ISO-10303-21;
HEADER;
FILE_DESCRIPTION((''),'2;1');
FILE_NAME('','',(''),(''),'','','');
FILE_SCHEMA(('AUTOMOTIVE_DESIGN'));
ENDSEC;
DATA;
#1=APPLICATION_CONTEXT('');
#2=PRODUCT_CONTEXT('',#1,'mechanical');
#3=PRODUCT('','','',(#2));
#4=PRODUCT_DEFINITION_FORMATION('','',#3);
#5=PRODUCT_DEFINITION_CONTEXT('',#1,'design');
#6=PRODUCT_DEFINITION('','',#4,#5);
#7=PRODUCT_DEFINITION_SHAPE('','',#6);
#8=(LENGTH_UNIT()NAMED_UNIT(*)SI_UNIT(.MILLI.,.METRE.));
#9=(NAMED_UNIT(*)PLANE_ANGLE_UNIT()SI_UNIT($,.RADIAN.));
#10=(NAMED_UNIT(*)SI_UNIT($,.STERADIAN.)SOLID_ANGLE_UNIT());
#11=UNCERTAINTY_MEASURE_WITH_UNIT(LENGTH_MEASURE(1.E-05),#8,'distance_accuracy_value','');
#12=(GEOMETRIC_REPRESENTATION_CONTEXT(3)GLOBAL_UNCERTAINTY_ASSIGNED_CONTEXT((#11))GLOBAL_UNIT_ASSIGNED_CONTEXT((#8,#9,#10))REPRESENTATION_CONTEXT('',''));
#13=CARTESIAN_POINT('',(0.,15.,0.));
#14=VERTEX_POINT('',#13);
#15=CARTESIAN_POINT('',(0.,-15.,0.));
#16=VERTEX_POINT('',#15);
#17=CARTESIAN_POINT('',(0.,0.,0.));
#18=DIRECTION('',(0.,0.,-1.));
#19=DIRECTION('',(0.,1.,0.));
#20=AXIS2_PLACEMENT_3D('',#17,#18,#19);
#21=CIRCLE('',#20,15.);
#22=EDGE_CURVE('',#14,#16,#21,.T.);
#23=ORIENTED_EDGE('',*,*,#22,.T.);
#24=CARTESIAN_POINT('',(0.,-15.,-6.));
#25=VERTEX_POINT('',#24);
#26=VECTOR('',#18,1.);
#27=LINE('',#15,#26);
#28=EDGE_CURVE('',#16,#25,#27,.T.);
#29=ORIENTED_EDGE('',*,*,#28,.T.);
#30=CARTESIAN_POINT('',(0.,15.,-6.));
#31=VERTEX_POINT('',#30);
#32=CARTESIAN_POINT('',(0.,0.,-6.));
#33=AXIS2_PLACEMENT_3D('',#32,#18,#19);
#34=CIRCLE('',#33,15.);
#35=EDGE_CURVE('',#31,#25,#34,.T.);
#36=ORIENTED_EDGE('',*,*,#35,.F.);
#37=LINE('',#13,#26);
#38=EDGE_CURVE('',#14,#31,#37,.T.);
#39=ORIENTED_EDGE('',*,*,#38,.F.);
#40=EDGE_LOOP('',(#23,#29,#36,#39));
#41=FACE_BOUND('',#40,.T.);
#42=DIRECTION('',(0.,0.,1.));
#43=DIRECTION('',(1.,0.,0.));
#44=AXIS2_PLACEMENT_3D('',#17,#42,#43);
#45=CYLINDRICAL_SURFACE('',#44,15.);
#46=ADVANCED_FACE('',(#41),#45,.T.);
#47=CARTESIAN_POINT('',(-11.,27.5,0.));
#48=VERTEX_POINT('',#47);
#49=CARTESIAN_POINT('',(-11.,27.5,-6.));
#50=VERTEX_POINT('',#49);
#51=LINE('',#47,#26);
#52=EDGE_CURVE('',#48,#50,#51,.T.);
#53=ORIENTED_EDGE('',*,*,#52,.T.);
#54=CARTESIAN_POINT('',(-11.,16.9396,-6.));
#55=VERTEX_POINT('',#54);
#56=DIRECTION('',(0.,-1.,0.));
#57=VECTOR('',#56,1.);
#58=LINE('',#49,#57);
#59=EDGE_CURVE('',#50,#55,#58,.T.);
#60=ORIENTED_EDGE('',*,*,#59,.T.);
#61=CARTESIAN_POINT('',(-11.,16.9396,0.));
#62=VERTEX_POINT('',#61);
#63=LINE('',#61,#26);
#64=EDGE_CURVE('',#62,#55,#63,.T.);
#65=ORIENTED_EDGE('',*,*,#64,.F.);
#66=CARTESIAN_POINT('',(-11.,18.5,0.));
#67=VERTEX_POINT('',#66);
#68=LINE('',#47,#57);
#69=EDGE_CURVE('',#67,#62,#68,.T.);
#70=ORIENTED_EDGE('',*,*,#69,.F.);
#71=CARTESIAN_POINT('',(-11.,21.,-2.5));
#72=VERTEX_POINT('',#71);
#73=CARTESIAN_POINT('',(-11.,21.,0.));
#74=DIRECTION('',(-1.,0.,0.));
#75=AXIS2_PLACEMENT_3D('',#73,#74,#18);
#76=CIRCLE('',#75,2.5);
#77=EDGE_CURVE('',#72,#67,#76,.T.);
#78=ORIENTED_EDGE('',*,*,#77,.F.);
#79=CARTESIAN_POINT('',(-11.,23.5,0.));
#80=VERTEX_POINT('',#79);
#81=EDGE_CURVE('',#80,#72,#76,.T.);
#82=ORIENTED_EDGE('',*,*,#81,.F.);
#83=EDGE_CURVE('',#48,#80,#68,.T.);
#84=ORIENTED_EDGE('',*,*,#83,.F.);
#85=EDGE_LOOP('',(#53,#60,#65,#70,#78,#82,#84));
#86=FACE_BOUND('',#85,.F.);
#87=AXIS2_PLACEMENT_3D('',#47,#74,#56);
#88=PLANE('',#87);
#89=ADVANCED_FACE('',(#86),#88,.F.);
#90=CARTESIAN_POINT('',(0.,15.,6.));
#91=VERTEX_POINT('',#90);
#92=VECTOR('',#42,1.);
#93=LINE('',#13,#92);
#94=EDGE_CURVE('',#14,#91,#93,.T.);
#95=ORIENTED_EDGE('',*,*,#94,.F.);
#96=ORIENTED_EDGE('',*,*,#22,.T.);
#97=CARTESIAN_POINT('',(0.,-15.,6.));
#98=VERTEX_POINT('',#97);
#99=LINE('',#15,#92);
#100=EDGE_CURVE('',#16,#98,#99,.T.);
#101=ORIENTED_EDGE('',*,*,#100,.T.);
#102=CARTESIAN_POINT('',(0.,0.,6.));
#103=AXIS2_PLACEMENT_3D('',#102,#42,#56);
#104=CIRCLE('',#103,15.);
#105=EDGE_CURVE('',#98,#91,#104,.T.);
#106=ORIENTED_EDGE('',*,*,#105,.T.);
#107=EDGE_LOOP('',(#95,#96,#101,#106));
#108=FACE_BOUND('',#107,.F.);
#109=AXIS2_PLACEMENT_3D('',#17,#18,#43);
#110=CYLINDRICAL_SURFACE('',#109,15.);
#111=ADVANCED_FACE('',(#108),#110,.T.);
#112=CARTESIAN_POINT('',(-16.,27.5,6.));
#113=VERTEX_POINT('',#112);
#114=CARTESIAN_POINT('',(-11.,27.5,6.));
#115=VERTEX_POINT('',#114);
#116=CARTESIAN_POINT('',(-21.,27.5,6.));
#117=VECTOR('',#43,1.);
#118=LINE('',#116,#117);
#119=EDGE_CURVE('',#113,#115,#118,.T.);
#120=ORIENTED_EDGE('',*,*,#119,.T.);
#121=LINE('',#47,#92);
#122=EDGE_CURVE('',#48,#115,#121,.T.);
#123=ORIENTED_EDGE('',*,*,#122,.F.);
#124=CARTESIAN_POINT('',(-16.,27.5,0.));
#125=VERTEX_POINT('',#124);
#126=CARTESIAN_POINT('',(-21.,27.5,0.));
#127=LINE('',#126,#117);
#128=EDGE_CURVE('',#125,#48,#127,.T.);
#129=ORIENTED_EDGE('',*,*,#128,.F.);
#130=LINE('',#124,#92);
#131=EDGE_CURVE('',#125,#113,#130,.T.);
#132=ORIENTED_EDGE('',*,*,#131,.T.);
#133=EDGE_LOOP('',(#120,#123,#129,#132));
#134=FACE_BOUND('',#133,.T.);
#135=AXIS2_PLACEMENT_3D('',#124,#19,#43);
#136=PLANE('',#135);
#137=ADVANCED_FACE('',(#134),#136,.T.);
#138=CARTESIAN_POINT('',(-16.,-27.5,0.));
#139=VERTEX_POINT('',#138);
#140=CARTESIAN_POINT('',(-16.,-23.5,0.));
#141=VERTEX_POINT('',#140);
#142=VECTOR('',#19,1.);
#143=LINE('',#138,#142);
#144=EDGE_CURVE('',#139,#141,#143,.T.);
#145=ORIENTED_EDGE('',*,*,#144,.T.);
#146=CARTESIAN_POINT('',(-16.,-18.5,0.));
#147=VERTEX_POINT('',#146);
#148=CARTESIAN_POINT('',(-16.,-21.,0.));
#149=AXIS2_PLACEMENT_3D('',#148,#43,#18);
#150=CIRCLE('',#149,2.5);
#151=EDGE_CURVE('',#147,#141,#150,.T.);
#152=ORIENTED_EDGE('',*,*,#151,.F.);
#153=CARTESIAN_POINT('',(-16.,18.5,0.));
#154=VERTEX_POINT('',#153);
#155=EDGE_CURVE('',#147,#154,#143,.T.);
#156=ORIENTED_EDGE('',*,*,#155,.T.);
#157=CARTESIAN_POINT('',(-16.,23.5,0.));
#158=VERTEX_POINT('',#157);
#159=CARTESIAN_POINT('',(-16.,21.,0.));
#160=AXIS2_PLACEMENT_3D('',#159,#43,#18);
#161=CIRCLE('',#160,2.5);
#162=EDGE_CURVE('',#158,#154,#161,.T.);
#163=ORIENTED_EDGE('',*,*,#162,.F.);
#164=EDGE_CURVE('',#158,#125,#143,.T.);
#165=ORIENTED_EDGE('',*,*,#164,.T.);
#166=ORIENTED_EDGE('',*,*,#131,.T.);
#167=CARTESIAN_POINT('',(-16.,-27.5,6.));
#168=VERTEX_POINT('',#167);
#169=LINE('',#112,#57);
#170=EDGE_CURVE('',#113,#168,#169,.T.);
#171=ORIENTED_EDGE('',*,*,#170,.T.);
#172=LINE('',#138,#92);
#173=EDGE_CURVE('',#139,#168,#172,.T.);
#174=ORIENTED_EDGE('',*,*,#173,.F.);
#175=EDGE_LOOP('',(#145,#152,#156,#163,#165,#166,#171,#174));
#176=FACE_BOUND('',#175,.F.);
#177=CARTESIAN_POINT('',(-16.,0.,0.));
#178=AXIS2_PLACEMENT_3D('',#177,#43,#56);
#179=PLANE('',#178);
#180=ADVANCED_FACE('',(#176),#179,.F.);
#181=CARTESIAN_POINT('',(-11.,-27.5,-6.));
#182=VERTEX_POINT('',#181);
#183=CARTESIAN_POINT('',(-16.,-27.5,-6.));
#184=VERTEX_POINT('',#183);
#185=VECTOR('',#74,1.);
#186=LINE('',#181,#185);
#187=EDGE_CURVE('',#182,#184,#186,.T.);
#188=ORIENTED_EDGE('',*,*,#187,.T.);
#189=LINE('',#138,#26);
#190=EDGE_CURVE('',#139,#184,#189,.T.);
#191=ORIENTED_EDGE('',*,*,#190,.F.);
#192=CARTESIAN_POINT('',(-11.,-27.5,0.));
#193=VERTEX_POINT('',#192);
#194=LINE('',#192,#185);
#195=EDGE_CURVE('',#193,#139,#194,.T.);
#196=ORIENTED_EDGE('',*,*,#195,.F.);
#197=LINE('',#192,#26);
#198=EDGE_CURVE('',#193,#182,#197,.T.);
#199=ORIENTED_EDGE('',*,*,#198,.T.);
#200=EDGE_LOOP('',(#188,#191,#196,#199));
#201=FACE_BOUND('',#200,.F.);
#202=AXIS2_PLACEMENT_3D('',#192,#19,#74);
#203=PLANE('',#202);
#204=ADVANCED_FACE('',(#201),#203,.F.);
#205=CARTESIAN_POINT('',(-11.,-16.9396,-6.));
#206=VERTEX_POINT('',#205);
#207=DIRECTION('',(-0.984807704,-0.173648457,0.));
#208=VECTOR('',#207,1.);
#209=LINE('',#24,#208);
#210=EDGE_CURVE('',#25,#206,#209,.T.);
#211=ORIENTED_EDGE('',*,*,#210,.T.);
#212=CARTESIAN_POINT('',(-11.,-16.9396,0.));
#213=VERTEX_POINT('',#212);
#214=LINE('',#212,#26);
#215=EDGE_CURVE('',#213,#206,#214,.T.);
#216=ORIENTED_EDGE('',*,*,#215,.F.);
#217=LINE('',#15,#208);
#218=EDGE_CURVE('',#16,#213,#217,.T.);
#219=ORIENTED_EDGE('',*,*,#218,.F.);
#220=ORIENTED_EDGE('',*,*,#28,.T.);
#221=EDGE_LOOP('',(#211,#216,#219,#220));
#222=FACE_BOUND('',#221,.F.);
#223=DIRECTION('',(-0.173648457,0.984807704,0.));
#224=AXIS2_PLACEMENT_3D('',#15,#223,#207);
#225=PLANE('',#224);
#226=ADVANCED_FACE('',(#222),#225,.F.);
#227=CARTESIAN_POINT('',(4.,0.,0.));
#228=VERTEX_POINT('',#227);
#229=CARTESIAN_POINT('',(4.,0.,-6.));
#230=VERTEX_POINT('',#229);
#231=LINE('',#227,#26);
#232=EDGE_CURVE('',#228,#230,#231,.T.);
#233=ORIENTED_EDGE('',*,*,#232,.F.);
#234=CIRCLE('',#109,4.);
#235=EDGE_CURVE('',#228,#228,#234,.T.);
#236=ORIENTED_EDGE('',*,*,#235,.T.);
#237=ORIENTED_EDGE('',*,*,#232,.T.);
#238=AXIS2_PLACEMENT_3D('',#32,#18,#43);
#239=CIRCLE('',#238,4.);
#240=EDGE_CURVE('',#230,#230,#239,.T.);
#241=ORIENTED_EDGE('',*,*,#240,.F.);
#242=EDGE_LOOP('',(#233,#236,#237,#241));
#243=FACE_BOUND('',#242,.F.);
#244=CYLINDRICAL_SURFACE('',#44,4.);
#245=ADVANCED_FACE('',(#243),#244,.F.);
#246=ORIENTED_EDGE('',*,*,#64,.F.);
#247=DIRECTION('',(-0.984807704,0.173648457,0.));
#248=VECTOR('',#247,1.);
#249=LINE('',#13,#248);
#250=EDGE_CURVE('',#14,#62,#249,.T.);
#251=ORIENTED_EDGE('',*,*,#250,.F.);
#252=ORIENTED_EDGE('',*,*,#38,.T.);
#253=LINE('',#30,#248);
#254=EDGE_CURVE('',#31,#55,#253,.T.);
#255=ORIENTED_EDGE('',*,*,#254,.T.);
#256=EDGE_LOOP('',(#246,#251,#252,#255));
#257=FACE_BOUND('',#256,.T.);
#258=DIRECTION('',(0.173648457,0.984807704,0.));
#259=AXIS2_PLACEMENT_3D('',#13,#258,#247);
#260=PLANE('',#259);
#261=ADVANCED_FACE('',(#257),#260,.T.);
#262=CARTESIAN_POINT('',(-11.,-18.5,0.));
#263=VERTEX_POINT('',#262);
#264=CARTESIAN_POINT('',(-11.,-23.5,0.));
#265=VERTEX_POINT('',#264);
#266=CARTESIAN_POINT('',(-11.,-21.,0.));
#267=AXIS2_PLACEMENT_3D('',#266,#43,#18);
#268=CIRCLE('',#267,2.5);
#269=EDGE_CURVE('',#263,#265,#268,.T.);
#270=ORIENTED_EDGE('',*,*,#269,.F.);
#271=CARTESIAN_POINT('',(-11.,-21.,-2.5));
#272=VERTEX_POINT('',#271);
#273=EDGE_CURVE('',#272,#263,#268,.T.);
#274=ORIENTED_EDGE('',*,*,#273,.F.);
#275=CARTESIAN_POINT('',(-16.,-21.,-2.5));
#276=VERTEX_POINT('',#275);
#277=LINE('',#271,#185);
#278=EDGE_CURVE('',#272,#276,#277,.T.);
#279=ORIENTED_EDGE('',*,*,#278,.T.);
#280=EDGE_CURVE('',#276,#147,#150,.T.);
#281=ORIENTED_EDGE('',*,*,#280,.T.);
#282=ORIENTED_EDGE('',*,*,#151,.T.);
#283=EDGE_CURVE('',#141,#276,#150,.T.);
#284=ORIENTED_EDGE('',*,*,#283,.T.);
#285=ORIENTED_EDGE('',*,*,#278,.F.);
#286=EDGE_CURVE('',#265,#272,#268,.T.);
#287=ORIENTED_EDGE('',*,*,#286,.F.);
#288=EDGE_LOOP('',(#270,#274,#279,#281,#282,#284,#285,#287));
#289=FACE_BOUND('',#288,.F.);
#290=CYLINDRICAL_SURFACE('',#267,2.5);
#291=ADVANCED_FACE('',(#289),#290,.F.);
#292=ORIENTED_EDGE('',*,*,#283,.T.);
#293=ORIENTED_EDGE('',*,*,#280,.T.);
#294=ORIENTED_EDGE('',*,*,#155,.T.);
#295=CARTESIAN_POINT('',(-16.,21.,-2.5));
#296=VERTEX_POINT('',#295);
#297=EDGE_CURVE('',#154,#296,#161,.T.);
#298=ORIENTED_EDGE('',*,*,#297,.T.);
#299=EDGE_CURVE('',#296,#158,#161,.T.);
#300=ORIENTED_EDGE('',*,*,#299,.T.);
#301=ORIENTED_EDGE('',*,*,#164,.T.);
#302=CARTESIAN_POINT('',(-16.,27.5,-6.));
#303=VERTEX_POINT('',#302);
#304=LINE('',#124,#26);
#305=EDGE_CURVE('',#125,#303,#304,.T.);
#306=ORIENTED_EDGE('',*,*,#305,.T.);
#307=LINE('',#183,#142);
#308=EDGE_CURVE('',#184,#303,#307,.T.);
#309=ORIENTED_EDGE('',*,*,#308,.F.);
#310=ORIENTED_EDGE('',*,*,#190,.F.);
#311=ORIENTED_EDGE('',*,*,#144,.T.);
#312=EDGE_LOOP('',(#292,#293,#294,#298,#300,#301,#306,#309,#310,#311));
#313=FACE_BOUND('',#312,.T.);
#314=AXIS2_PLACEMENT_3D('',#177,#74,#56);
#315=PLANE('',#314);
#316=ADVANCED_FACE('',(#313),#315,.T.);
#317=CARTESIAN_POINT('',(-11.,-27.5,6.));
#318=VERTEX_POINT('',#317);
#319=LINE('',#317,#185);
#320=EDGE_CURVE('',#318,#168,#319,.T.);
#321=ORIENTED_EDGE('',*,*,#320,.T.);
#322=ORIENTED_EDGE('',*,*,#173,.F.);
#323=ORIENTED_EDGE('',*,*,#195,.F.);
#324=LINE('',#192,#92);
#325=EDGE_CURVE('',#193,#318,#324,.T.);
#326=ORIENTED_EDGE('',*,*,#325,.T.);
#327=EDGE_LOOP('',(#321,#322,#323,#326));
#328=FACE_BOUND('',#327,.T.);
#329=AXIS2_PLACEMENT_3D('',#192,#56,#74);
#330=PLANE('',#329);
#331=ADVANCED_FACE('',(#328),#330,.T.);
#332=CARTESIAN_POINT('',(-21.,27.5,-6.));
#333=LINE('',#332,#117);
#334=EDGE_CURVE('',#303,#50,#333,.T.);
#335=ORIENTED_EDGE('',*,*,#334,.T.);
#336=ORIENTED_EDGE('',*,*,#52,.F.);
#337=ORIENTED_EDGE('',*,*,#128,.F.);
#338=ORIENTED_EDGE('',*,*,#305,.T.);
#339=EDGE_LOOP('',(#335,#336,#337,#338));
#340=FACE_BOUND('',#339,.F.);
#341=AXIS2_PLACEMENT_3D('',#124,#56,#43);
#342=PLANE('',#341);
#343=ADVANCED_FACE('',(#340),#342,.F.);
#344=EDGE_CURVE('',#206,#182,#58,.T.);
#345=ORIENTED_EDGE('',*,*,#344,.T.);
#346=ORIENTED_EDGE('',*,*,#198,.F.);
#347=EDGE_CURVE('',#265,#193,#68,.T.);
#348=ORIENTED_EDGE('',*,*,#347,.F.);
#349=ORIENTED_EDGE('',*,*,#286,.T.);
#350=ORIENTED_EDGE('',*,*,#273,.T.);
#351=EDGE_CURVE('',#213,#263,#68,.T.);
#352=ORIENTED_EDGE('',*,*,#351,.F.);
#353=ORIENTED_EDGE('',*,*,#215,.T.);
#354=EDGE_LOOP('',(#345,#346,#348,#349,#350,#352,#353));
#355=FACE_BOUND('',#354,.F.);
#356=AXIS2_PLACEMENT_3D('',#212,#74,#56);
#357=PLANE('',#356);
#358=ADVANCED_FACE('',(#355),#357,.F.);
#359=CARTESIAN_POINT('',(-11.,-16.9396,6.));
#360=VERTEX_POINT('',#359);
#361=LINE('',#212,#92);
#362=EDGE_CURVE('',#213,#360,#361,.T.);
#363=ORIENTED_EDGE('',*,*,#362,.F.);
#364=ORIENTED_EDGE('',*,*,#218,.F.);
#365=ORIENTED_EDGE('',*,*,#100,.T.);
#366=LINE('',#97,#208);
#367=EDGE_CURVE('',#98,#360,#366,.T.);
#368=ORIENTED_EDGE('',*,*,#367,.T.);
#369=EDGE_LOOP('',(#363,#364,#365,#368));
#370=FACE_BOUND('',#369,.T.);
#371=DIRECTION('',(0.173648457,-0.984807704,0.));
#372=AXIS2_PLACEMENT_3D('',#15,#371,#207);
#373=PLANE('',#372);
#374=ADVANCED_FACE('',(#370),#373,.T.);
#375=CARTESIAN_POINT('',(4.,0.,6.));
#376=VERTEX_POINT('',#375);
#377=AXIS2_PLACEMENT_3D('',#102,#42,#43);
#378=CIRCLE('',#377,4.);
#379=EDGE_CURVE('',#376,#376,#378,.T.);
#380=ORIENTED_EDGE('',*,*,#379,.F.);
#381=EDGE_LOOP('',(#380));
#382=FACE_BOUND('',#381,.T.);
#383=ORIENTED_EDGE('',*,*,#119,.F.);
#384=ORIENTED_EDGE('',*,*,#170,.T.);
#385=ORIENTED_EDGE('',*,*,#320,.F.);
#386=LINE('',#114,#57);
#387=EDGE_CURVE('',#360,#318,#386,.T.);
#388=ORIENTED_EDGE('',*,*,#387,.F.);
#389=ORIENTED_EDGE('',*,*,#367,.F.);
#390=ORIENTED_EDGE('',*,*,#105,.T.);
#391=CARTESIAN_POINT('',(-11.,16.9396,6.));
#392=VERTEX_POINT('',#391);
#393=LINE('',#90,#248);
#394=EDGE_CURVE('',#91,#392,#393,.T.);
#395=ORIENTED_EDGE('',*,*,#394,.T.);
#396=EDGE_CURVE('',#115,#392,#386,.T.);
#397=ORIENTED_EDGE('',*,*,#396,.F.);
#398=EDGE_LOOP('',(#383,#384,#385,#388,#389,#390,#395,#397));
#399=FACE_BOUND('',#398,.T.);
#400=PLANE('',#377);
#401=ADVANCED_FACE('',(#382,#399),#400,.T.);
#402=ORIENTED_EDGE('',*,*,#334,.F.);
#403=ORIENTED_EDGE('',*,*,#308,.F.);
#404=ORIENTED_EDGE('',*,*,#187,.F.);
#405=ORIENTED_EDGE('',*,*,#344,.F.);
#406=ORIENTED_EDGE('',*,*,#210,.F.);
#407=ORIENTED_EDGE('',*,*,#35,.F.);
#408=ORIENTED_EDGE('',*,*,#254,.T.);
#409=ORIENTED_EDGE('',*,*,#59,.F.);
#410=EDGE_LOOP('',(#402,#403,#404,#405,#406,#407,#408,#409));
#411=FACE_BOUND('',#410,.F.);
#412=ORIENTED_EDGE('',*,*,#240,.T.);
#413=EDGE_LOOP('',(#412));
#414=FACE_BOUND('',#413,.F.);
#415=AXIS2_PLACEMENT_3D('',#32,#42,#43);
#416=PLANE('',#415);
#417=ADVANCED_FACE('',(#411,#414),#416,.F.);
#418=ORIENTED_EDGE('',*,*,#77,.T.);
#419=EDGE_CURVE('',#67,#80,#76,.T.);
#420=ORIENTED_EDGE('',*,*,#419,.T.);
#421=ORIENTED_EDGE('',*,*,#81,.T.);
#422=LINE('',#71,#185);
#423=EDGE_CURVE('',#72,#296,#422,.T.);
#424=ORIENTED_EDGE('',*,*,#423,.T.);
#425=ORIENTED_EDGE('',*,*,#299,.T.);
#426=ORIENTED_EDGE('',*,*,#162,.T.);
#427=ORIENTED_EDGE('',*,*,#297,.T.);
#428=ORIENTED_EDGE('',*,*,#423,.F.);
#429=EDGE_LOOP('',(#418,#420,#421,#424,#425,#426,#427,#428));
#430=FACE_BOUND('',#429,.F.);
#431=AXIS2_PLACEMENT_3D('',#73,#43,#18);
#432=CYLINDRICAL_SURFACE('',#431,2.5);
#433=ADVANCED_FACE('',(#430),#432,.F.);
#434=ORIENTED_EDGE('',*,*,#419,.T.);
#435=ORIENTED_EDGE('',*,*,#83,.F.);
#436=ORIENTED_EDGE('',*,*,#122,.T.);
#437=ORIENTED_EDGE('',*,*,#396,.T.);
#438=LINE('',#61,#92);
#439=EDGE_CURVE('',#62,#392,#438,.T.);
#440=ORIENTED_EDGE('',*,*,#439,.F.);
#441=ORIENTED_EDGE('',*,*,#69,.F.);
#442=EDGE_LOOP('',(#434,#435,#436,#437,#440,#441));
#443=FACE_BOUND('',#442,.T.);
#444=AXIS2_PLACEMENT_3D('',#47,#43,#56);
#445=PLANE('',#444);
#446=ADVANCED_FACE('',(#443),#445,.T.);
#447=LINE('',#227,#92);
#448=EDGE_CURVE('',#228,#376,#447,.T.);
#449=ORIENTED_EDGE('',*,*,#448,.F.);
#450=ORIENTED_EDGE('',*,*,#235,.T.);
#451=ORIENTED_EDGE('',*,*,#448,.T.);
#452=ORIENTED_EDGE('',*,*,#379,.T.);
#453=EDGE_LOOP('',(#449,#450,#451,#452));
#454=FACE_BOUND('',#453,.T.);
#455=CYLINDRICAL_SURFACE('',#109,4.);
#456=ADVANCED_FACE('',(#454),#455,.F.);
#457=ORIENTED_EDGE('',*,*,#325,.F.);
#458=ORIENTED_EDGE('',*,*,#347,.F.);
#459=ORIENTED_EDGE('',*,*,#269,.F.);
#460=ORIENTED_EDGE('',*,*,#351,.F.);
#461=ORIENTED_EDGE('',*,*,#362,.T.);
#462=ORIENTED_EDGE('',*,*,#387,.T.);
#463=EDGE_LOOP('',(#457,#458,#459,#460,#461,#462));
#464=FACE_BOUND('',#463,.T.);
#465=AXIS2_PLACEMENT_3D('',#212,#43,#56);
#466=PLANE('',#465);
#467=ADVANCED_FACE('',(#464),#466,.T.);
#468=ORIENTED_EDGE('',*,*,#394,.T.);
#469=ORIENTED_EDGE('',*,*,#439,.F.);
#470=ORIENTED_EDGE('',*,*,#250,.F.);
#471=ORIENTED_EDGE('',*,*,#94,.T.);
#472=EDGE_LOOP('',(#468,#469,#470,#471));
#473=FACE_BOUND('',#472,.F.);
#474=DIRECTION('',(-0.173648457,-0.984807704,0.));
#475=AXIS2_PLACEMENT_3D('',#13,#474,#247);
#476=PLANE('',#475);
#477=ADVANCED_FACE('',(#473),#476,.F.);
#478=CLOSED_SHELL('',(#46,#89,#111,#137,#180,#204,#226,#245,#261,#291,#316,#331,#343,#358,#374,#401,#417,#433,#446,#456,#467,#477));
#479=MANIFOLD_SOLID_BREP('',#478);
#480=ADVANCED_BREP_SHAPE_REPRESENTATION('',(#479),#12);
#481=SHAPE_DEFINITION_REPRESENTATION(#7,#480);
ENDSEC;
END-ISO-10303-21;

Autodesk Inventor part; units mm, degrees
ref_plane "YZ Plane" through (0, 0, 0) normal (1, 0, 0) x (0, 1, 0)
ref_plane "XZ Plane" through (0, 0, 0) normal (0, 1, 0) x (-1, 0, 0)
ref_plane "XY Plane" through (0, 0, 0) normal (0, 0, 1) x (1, 0, 0)
sketch "Sketch1" plane through (0, 0, 0) normal (0, 0, 1) x (1, 0, 0)
  circle A0 centre (0, 0) radius 4
  circle A1 centre (0, 0) radius 15
  line L0 (0, 16.3344) -> (0, 4)
  line L1 (0, -4) -> (0, -14.3344)
  line L2 (0, 0) -> (-16, 0)
  line L3 (-21, 27.5) -> (-11, 27.5)
  line L4 (-11, 27.5) -> (-11, -27.5)
  line L5 (-11, -27.5) -> (-21, -27.5)
  line L6 (-21, -27.5) -> (-21, 27.5)
  line L7 (-21, 27.5) -> (-11, -27.5) construction
  line L8 (-11, 27.5) -> (-21, -27.5) construction
  line L9 (-16, 27.5) -> (-16, -27.5)
  line L10 (0, -15) -> (-11, -16.9396)
  line L11 (0, -15) -> (11.1697, -15) construction
  line L12 (0, 15) -> (-11, 16.9396)
  point P0 (0, -11)
  point P1 (0, 15)
  point P2 (0, 15)
  dimension "d3" = 30
  dimension "d0" = 8
  dimension "d7" = 16
  dimension "d8" = 10
  dimension "d9" = 55
  dimension "d10" = 170
extrude "Extrusion1" add sketch "Sketch1" along normal mid plane 12 contours A0 L0 A1 L4 L2 | A0 L2 L4 A1 L0 | A1 L4 L12 | L4 A1 L2 | L2 A1 L4 | A1 L2 L9 L3 L4 | A1 L4 L5 L9 L2 | A1 L10 L4
sketch "Sketch2" plane through (-11, 16.9396, 6) normal (1, 0, 0) x (0, 0, -1)
  line L0 (12, -44.4396) -> (12, 10.5604) projected
  line L1 (12, 10.5604) -> (0, 10.5604)
  line L2 (0, 10.5604) -> (0, -44.4396)
  line L3 (0, -44.4396) -> (12, -44.4396)
  line L4 (12, -44.4396) -> (12, 10.5604)
  line L5 (12, -16.9396) -> (6, -16.9396)
  line L6 (12, -16.9396) -> (18, -16.9396) construction
  line L7 (6, -16.9396) -> (6, 4.0604)
  circle A0 centre (6, 4.0604) radius 2.5
  circle A1 centre (6, -37.9396) radius 2.5
  dimension "d11" = 6
  dimension "d12" = 180
  dimension "d13" = 21
  dimension "d14" = 5
extrude "Extrusion2" cut sketch "Sketch2" against normal blind 10 contours A0 | A1
properties part number "RODAMIENTO DE TORNILLO"
